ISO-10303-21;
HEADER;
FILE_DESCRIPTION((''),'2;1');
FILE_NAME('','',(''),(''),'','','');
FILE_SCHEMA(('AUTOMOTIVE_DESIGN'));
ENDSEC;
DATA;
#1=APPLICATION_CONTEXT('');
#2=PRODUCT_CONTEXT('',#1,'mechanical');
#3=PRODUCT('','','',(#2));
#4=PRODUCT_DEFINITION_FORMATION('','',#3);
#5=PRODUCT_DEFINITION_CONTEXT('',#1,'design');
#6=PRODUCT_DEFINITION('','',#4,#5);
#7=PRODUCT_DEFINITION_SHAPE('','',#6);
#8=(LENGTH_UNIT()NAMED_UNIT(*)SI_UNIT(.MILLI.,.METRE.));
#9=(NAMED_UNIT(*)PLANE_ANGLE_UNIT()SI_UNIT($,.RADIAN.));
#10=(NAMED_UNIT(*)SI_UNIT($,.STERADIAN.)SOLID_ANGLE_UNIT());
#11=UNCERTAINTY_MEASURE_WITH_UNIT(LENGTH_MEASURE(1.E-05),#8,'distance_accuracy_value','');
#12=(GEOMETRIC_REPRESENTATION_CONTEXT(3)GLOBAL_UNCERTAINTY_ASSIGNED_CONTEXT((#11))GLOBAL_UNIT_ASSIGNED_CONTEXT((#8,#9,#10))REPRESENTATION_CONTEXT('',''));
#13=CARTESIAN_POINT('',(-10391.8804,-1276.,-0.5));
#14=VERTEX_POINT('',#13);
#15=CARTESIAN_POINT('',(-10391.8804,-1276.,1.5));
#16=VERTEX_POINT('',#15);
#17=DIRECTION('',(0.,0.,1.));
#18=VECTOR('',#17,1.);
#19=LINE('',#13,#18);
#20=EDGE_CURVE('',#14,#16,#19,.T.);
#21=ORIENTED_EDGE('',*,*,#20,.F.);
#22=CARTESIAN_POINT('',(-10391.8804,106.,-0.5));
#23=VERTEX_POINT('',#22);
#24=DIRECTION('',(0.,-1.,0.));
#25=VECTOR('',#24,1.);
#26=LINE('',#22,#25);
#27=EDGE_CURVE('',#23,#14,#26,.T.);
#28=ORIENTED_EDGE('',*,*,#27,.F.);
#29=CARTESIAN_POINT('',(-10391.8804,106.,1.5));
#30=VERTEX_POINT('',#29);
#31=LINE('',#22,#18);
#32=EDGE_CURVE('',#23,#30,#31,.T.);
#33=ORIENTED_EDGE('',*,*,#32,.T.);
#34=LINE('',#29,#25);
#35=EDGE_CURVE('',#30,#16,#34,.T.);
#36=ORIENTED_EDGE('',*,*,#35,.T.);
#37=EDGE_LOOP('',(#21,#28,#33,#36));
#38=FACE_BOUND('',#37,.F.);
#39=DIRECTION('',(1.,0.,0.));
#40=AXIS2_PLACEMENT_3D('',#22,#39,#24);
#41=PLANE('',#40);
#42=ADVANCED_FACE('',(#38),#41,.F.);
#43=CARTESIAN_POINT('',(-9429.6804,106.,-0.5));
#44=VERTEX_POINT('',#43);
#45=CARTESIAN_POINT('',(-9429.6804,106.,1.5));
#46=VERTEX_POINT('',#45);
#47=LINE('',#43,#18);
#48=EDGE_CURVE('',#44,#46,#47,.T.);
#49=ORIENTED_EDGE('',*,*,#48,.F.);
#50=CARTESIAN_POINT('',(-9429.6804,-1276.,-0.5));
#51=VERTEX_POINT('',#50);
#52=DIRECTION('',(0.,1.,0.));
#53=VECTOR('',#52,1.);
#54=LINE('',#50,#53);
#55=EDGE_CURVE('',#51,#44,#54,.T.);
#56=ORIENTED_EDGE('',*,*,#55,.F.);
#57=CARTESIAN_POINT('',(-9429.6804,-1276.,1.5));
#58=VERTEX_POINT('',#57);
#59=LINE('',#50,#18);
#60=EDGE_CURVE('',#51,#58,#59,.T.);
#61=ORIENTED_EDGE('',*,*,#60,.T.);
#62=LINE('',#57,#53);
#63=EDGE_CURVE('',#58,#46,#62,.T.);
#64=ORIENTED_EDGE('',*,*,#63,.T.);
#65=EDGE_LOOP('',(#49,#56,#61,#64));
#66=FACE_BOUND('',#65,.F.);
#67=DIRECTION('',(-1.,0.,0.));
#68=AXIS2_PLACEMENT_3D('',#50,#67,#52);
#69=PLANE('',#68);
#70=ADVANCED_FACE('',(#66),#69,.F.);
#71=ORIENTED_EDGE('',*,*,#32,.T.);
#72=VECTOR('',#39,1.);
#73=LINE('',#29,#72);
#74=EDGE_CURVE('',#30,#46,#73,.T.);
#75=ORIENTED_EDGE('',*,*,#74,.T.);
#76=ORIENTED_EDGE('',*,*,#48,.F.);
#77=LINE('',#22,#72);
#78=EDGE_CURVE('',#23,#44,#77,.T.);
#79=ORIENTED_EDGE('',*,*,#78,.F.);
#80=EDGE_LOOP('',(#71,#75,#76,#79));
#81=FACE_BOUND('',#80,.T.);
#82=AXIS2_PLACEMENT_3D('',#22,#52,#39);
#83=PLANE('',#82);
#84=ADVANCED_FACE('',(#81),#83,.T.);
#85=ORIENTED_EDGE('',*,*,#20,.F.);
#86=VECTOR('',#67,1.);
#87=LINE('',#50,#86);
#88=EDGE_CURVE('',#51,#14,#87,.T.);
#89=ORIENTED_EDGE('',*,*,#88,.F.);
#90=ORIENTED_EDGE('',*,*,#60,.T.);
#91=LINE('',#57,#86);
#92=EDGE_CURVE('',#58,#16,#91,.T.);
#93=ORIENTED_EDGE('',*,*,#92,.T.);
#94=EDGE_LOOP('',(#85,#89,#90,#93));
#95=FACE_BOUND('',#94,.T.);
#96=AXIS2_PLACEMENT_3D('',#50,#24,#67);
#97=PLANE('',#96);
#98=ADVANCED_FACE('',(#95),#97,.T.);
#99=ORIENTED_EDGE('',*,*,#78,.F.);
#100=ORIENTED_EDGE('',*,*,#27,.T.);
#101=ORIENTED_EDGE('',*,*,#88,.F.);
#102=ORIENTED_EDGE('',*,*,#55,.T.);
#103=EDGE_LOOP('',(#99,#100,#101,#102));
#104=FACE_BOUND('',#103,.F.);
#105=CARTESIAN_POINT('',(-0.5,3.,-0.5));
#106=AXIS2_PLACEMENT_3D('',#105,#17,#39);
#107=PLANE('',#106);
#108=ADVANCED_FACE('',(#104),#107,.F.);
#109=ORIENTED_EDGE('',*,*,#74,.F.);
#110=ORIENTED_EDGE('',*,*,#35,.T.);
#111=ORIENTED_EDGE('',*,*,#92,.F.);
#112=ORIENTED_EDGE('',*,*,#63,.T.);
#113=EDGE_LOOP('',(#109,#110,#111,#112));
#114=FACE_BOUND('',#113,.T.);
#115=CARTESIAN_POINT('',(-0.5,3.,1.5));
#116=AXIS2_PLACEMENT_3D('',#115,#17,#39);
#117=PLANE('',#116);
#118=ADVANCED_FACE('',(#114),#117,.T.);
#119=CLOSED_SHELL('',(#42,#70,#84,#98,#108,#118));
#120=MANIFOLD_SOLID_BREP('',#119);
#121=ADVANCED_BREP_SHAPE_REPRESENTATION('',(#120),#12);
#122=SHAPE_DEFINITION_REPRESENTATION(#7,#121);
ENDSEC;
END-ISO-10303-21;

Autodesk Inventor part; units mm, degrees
ref_plane "YZ Plane" through (0, 0, 0) normal (1, 0, 0) x (0, 1, 0)
ref_plane "XZ Plane" through (0, 0, 0) normal (0, 1, 0) x (-1, 0, 0)
ref_plane "XY Plane" through (0, 0, 0) normal (0, 0, 1) x (1, 0, 0)
ref_plane "Work Plane1" through (-0.5, 3, -0.5) normal (0, 0, 1) x (1, 0, 0)
sketch "Sketch1" plane through (-0.5, 3, -0.5) normal (0, 0, 1) x (1, 0, 0)
  line L0 (-10391.3804, 103) -> (-10391.3804, -1279) projected
  line L1 (-10304.3804, 106) -> (-9516.7804, 106) projected
  line L2 (-9429.1804, -1279) -> (-9429.1804, 103) projected
  line L3 (-10304.0804, -1275.5) -> (-9516.4804, -1275.5) projected
  line L4 (-10391.3804, 103) -> (-9429.1804, 103)
  line L5 (-9429.1804, 103) -> (-9429.1804, -1279)
  line L6 (-9429.1804, -1279) -> (-10391.3804, -1279)
  line L7 (-10391.3804, -1279) -> (-10391.3804, 103)
  point P0 (0.5, -3)
extrude "Extrusion1" add sketch "Sketch1" along normal blind 2
sketch "Sketch2" plane through (-0.5, 3, 1.5) normal (0, 0, 1) x (1, 0, 0)
  line L0 (-10241.6123, -415.187) -> (-9553.7031, -415.187) construction
  line L1 (-9553.7031, -415.187) -> (-9553.7031, -540.2437) construction
  line L2 (-9553.7031, -540.2437) -> (-10241.6123, -540.2437) construction
  line L3 (-10241.6123, -540.2437) -> (-10241.6123, -415.187) construction
  point P0 (0.5, -3)
properties part number "RF_Door"
